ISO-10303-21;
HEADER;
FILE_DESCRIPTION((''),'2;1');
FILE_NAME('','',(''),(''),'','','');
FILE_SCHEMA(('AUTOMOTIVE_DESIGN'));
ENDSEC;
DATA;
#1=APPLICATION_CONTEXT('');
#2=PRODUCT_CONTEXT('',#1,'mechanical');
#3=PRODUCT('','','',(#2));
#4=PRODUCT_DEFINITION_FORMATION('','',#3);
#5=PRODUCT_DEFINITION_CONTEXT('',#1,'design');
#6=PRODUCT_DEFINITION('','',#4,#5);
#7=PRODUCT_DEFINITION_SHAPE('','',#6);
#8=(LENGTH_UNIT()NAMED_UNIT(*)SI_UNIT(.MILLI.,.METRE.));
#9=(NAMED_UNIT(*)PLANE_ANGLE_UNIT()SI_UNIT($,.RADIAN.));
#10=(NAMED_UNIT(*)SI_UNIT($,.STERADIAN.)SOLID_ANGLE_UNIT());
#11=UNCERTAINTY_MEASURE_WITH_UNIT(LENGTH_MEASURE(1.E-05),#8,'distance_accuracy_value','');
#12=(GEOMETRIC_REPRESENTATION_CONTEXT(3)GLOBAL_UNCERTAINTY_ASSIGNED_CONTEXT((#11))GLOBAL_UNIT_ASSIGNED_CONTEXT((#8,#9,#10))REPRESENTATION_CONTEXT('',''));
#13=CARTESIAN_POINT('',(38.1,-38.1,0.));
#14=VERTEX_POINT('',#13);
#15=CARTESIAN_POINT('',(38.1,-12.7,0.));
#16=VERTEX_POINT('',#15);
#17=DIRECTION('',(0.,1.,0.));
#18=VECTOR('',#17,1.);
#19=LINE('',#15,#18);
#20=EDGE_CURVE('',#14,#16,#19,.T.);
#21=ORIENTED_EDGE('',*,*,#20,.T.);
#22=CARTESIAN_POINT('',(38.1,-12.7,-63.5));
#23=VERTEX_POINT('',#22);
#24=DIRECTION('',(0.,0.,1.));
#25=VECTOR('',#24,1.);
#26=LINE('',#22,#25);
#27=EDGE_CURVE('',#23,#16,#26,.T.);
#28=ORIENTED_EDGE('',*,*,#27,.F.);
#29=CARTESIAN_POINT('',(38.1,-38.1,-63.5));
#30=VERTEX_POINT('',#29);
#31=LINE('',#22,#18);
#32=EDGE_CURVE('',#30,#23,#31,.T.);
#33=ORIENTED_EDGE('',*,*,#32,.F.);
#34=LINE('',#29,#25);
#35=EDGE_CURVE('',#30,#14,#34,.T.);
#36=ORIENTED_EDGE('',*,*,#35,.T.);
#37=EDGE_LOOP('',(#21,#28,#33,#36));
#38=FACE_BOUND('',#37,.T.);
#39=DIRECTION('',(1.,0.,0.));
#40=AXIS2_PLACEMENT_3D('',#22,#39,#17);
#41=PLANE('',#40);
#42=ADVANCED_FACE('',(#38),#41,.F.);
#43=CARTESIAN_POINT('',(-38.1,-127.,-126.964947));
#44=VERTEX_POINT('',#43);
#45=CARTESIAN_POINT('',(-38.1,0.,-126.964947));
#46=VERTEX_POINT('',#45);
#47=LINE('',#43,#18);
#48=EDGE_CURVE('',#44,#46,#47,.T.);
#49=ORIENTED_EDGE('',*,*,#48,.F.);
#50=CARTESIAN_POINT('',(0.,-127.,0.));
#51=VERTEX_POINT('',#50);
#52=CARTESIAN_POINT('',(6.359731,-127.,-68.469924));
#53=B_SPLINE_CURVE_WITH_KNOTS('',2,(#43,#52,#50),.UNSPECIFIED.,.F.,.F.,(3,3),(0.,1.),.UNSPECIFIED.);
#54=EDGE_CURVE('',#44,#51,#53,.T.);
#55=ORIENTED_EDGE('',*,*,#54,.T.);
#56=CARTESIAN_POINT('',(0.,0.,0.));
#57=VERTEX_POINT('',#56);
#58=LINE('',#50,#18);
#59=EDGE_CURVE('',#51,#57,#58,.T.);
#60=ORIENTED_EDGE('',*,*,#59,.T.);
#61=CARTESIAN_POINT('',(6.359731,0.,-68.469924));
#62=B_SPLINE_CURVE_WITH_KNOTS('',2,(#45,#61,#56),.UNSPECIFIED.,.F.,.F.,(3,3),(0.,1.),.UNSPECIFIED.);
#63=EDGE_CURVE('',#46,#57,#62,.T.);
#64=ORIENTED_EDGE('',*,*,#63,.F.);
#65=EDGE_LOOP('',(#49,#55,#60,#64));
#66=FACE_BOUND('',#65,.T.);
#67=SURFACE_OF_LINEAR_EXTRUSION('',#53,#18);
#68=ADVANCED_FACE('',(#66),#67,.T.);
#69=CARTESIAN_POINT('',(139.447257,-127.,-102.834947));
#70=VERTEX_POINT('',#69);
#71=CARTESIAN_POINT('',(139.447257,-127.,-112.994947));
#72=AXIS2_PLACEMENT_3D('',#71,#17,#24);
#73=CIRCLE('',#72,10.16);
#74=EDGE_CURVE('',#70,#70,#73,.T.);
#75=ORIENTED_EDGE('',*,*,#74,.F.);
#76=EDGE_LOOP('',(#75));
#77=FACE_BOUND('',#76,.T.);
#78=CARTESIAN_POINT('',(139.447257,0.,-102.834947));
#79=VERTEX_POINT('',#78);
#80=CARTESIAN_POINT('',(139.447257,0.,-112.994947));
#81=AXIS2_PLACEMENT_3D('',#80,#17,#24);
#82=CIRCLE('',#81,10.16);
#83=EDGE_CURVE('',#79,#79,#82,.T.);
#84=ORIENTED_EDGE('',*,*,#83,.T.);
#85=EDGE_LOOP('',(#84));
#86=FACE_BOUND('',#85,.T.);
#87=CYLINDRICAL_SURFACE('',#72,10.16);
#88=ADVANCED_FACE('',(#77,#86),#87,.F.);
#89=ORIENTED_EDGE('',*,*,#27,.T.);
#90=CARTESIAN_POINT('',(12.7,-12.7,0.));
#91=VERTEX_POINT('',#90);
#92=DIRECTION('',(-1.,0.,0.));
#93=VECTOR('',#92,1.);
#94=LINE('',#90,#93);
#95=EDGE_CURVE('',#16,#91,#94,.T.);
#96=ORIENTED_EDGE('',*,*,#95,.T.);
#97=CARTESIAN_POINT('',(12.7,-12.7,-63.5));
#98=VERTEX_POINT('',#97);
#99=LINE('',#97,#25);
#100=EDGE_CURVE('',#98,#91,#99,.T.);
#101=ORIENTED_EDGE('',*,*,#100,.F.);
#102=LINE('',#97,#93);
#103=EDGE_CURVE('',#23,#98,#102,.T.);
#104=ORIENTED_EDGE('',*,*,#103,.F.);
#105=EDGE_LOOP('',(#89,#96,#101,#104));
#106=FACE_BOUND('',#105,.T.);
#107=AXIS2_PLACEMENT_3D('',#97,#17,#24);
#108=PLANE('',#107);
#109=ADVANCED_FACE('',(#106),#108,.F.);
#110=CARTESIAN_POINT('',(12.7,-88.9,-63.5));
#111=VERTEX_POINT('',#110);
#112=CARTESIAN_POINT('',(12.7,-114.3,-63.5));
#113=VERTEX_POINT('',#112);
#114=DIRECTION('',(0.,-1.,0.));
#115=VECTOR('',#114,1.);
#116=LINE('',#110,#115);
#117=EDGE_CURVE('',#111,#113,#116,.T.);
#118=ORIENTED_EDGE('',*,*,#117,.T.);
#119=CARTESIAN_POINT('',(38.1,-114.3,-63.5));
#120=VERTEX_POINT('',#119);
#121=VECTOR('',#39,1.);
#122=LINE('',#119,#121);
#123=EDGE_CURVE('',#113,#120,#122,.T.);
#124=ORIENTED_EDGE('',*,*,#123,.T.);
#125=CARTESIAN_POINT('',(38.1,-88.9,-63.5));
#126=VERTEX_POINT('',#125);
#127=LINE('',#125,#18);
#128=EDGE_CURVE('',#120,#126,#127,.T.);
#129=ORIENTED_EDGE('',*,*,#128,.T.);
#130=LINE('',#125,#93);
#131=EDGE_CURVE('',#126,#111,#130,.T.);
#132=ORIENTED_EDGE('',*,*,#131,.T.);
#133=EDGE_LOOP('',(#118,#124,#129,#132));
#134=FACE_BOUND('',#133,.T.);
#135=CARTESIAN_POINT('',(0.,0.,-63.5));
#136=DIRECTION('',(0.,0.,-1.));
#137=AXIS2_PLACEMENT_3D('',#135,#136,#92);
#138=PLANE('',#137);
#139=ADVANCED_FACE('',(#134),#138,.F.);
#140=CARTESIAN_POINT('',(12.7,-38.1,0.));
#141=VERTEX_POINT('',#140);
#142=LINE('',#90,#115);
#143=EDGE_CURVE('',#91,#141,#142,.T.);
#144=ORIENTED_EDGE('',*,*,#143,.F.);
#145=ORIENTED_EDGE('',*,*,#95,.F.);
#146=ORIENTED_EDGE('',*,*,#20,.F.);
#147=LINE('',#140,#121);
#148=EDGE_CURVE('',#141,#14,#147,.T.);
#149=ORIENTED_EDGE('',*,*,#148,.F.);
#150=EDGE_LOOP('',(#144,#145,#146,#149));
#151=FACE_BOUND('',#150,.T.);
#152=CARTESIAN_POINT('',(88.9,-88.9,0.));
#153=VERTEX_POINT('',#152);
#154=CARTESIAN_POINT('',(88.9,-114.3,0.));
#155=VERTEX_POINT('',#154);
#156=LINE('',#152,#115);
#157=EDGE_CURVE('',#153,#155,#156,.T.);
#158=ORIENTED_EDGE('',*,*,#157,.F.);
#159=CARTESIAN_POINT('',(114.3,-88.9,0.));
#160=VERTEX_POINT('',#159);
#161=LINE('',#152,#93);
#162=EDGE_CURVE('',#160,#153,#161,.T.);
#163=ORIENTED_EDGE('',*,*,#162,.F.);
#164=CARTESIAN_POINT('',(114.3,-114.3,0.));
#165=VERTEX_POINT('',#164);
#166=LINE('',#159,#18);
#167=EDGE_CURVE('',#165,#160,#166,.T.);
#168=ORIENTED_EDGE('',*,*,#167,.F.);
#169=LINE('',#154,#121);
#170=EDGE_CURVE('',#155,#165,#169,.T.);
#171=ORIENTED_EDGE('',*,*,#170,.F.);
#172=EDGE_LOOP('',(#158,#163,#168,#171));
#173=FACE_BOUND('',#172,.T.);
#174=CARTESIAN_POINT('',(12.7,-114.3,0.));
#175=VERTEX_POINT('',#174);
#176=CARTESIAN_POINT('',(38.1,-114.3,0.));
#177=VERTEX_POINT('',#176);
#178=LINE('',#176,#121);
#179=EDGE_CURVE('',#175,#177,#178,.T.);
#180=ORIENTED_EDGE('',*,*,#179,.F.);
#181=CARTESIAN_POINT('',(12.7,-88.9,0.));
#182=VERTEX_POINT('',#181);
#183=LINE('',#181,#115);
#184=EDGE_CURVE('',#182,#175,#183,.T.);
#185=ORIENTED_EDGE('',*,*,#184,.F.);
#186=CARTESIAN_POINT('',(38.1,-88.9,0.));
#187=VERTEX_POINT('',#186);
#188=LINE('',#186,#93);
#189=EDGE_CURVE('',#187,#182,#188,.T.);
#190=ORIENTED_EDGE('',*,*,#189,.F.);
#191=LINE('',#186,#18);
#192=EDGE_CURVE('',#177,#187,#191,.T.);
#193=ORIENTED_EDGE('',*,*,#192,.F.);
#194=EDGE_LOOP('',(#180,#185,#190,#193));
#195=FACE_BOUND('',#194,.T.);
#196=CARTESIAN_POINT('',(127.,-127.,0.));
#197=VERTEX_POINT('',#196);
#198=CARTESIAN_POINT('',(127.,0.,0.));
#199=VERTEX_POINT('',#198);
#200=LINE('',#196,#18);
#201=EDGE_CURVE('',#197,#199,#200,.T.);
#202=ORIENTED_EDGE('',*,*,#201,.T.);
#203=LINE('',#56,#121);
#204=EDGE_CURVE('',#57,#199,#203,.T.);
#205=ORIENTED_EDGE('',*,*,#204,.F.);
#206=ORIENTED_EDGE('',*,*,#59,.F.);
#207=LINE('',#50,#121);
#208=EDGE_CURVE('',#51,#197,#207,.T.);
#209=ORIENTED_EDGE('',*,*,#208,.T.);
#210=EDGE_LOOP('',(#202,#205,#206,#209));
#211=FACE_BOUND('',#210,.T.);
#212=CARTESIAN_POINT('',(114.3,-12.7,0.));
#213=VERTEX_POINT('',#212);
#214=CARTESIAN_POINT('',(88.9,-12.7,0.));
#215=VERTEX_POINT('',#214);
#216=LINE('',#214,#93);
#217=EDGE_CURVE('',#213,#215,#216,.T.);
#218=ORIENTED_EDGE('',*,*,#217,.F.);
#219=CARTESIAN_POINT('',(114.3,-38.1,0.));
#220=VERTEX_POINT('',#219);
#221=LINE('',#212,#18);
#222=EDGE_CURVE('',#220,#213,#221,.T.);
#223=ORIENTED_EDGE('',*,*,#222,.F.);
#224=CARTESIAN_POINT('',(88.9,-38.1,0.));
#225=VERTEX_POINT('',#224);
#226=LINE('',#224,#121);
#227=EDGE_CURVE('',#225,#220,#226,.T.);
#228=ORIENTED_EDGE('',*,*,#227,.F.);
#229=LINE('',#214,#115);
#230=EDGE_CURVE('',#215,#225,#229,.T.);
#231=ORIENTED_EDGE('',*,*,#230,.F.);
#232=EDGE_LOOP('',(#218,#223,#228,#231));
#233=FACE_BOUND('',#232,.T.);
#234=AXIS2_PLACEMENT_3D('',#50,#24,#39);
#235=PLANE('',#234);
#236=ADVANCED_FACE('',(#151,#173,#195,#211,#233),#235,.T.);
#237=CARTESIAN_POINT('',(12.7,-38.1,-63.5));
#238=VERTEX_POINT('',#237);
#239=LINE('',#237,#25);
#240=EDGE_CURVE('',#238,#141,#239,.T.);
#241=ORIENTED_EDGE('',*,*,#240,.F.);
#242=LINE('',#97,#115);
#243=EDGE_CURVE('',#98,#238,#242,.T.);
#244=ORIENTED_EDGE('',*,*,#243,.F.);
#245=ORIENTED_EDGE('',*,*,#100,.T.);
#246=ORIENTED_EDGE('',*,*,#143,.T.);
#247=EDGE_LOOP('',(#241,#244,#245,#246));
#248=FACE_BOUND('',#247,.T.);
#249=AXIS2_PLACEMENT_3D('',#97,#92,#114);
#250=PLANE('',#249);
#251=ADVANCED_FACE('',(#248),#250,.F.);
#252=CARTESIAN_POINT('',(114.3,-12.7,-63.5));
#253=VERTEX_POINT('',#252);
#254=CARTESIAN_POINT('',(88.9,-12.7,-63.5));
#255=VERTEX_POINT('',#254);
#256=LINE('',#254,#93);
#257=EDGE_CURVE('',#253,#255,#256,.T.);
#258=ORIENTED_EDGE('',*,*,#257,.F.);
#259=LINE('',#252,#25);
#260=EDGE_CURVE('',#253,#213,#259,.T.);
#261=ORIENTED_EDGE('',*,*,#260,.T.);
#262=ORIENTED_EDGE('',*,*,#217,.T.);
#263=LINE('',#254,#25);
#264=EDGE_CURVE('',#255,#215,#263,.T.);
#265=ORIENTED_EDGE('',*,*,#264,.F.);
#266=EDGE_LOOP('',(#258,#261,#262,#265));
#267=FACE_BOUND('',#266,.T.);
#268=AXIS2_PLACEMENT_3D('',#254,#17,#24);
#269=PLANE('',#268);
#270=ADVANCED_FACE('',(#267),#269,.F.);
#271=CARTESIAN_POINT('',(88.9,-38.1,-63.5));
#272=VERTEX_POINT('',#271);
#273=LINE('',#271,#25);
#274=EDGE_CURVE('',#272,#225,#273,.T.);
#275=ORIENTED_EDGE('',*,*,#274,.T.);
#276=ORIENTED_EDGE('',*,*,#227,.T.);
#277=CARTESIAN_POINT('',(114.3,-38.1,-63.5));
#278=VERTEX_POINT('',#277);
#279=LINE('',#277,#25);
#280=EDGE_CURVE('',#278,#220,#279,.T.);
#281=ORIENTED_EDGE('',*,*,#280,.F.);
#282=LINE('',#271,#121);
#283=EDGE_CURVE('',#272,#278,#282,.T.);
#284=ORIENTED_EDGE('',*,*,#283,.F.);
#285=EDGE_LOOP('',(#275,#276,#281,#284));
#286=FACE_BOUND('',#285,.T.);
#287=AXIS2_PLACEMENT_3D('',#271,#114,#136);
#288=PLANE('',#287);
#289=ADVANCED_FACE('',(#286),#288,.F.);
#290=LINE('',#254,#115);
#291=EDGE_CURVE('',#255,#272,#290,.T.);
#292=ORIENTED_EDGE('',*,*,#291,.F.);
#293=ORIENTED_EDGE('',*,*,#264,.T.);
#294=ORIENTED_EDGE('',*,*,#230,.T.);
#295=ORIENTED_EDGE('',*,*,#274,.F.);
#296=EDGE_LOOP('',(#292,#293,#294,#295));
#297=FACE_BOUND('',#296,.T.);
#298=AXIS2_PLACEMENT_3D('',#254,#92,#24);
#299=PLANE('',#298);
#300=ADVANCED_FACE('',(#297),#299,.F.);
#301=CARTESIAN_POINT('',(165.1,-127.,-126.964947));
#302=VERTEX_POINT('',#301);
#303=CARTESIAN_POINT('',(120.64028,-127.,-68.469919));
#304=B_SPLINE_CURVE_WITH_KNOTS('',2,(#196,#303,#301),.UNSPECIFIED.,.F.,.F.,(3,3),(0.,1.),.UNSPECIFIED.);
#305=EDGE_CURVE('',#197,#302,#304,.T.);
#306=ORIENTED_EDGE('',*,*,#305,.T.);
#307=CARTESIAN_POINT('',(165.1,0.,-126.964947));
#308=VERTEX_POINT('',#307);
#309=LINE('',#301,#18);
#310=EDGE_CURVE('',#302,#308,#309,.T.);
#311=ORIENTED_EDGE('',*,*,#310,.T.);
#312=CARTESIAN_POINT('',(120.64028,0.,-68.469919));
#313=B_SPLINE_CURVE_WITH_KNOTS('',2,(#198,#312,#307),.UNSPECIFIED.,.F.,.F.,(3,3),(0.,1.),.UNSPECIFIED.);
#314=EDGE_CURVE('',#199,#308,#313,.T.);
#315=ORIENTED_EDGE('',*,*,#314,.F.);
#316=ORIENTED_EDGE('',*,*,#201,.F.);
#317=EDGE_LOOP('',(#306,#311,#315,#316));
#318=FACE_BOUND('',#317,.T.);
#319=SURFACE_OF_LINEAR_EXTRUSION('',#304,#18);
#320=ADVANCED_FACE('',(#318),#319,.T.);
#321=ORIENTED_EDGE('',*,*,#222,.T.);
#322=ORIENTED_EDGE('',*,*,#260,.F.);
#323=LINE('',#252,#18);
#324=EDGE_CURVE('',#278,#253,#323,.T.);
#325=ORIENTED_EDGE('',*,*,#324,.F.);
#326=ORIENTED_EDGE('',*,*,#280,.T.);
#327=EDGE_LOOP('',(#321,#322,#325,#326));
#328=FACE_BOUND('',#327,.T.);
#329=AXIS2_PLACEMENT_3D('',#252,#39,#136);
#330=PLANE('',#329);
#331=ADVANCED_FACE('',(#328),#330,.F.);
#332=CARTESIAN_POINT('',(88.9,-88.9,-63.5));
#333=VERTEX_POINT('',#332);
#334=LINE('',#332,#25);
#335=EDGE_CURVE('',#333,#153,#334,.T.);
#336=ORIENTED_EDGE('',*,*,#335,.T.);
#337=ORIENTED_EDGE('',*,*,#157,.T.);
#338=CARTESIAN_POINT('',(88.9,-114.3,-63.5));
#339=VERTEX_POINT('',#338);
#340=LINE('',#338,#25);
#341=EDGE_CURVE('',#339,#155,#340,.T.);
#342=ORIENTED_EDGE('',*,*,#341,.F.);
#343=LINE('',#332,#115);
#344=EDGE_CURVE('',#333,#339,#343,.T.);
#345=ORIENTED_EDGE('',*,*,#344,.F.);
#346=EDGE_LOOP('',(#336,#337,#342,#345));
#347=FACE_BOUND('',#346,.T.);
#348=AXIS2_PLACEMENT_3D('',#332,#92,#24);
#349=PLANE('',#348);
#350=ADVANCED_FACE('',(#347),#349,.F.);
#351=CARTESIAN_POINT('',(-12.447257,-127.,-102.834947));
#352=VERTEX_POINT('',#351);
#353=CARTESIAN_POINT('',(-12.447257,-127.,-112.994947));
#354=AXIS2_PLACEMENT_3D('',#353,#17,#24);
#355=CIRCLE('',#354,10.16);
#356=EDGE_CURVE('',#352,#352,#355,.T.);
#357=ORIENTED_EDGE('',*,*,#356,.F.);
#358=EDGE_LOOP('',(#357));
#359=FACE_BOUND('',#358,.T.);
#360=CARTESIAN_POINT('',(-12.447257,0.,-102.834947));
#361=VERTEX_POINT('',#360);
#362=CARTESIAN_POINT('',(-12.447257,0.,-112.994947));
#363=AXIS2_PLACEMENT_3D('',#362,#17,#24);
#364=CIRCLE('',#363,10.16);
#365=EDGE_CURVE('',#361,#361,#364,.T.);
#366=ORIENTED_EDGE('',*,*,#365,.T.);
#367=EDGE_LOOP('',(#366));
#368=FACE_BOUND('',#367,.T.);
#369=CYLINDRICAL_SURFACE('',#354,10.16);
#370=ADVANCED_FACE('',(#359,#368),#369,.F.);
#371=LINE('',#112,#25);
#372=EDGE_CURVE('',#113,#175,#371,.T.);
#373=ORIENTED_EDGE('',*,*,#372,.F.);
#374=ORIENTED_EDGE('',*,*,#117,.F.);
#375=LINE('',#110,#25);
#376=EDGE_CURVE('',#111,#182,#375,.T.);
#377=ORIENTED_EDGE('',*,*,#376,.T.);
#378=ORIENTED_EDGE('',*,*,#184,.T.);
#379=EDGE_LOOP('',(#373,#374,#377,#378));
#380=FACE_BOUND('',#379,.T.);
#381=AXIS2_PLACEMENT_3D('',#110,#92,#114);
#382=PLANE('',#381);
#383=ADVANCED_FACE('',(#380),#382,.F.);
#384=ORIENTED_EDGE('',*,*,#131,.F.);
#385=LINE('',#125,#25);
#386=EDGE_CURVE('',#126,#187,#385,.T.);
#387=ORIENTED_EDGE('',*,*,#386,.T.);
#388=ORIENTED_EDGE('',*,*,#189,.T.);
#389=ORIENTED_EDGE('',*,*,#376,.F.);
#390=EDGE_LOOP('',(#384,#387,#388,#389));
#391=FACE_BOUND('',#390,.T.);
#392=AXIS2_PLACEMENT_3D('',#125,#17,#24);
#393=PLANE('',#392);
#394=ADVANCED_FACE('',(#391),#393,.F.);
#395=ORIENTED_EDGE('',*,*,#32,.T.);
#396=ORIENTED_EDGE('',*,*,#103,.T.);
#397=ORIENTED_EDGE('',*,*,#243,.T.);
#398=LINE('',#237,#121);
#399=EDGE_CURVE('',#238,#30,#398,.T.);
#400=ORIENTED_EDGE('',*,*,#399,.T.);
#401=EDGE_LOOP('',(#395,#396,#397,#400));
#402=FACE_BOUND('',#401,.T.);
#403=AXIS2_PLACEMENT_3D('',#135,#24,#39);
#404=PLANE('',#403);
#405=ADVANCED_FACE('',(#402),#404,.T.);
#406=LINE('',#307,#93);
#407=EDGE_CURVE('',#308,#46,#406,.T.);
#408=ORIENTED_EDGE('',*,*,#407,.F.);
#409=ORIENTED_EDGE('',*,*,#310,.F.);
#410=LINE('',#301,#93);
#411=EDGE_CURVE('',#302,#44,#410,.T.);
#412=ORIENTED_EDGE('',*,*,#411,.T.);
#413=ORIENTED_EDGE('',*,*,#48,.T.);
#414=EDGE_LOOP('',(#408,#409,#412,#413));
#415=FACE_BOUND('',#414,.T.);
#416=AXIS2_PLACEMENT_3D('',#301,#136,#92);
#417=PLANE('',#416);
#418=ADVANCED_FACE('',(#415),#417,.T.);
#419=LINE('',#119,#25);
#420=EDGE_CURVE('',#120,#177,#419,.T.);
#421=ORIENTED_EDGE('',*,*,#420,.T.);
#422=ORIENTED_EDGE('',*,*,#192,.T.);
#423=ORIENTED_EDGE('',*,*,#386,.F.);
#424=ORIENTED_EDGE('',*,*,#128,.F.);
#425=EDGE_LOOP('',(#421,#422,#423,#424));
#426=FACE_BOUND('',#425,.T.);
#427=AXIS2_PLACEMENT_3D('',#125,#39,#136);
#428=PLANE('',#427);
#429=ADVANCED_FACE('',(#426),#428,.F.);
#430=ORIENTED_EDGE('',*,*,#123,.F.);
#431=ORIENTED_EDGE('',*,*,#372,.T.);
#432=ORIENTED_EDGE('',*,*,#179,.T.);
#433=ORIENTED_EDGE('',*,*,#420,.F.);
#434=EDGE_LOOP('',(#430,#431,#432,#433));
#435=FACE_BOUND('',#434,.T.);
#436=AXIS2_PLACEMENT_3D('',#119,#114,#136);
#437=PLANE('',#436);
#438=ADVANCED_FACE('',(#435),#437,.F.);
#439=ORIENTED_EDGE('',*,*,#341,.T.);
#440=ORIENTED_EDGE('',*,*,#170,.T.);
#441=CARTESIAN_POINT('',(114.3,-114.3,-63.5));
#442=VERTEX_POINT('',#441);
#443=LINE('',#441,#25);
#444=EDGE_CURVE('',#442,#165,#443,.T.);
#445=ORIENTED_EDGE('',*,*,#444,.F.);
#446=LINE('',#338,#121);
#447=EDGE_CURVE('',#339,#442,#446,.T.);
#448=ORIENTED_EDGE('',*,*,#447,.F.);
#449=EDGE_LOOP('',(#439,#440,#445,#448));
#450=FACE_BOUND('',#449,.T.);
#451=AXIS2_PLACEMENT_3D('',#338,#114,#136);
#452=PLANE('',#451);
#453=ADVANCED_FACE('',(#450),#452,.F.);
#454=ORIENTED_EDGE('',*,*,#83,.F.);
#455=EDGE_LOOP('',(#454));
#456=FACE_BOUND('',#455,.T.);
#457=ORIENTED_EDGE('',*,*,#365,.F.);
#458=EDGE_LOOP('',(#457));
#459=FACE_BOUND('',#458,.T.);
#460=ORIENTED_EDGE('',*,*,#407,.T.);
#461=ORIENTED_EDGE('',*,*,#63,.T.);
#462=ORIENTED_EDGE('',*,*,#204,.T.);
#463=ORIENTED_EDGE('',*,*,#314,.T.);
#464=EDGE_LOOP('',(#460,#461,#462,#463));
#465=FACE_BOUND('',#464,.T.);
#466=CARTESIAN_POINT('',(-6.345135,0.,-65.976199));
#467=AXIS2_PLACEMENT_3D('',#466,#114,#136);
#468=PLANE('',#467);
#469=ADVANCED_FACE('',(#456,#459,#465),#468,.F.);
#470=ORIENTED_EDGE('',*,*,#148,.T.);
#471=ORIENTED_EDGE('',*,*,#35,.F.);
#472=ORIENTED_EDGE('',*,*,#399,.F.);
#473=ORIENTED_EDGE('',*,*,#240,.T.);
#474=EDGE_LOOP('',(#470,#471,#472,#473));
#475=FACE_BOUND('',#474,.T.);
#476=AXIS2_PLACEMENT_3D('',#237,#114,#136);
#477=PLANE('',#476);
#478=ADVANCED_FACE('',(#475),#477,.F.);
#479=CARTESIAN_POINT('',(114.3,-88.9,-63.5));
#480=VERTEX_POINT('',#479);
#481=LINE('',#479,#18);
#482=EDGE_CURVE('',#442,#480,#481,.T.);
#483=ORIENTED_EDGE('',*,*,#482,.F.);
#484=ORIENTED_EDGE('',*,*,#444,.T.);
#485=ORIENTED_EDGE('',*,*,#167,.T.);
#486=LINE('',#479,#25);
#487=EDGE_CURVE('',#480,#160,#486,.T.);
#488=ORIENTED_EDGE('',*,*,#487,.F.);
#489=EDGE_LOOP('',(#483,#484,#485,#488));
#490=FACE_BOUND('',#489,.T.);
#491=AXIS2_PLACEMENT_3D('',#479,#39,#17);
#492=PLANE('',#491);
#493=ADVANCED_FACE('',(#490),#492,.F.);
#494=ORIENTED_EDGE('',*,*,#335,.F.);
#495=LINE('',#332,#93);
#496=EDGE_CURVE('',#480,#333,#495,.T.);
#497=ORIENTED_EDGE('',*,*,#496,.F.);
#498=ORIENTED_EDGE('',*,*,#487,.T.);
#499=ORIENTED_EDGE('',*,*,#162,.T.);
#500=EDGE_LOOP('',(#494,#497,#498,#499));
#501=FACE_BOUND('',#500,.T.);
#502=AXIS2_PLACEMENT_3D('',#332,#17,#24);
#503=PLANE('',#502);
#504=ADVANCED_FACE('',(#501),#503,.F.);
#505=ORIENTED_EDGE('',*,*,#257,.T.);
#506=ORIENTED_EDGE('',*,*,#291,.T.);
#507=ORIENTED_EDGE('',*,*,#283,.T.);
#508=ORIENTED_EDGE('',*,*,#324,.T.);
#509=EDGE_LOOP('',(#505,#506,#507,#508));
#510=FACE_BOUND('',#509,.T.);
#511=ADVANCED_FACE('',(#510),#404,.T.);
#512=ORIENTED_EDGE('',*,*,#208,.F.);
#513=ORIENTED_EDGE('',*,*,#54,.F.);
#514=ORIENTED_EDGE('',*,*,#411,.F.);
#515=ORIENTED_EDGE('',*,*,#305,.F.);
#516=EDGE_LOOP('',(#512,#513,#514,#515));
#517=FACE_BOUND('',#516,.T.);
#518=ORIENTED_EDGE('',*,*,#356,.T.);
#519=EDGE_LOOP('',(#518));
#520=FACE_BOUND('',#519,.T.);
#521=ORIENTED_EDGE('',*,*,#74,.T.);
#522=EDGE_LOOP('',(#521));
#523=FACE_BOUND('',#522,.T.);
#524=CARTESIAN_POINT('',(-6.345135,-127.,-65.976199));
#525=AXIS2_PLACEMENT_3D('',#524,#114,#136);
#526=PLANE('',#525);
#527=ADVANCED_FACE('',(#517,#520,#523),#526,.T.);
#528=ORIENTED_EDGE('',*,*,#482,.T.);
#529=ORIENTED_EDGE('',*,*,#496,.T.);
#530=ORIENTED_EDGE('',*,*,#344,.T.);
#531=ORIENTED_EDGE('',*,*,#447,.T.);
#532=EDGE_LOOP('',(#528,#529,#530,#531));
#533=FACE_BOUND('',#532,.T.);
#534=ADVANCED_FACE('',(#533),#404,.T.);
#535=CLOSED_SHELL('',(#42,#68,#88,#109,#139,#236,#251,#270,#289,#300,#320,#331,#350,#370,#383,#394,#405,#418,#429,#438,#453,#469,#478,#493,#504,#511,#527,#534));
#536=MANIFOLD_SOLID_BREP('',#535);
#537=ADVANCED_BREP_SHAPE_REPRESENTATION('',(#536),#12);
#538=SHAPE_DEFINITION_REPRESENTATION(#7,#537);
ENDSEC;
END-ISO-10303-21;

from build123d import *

# Parameters (mm, degrees)
BOSS_EXTRUDE1_DEPTH = 127
SKETCH3_W           = 25.4
SKETCH3_H           = 25.4
CUT_EXTRUDE1_DEPTH  = 63.5
SKETCH4_R           = 10.16
CUT_EXTRUDE2_DEPTH  = 128.0000001


with BuildPart() as part:
    # Sketch2 → Boss-Extrude1 (new body)
    with BuildSketch(Plane(origin=(0, 0, 0), x_dir=(1, 0, 0), z_dir=(0, 1, 0))):
        with BuildLine():
            Line((0, 0), (127, 0))
            add(Edge.make_bspline(
                [(127, 0), (120.640280387, 68.469919386), (165.1, 126.964946797)],
                knots=[0, 0, 0, 1, 1, 1], degree=2))
            Line((165.1, 126.964946797), (-38.1, 126.964946797))
            add(Edge.make_bspline(
                [(0, 0), (6.359730642, 68.469923757), (-38.1, 126.964946797)],
                knots=[0, 0, 0, 1, 1, 1], degree=2))
        make_face()
    extrude(amount=-BOSS_EXTRUDE1_DEPTH)

    # Sketch3 → Cut-Extrude1 (cut)
    with BuildSketch(Plane.XY):
        with Locations((25.4, -25.4)):
            Rectangle(SKETCH3_W, SKETCH3_H)
        with Locations((25.4, -101.6)):
            Rectangle(SKETCH3_W, SKETCH3_H)
        with Locations((101.6, -25.4)):
            Rectangle(SKETCH3_W, SKETCH3_H)
        with Locations((101.6, -101.6)):
            Rectangle(SKETCH3_W, SKETCH3_H)
    extrude(amount=-CUT_EXTRUDE1_DEPTH, mode=Mode.SUBTRACT)

    # Sketch4 → Cut-Extrude2 (cut, through all)
    with BuildSketch(Plane(origin=(0, 0, 0), x_dir=(1, 0, 0), z_dir=(0, 1, 0))):
        with Locations((-12.447257457, 112.994946797)):
            Circle(SKETCH4_R)
        with Locations((139.447257457, 112.994946797)):
            Circle(SKETCH4_R)
    extrude(amount=-CUT_EXTRUDE2_DEPTH, mode=Mode.SUBTRACT)


solid = part.part
